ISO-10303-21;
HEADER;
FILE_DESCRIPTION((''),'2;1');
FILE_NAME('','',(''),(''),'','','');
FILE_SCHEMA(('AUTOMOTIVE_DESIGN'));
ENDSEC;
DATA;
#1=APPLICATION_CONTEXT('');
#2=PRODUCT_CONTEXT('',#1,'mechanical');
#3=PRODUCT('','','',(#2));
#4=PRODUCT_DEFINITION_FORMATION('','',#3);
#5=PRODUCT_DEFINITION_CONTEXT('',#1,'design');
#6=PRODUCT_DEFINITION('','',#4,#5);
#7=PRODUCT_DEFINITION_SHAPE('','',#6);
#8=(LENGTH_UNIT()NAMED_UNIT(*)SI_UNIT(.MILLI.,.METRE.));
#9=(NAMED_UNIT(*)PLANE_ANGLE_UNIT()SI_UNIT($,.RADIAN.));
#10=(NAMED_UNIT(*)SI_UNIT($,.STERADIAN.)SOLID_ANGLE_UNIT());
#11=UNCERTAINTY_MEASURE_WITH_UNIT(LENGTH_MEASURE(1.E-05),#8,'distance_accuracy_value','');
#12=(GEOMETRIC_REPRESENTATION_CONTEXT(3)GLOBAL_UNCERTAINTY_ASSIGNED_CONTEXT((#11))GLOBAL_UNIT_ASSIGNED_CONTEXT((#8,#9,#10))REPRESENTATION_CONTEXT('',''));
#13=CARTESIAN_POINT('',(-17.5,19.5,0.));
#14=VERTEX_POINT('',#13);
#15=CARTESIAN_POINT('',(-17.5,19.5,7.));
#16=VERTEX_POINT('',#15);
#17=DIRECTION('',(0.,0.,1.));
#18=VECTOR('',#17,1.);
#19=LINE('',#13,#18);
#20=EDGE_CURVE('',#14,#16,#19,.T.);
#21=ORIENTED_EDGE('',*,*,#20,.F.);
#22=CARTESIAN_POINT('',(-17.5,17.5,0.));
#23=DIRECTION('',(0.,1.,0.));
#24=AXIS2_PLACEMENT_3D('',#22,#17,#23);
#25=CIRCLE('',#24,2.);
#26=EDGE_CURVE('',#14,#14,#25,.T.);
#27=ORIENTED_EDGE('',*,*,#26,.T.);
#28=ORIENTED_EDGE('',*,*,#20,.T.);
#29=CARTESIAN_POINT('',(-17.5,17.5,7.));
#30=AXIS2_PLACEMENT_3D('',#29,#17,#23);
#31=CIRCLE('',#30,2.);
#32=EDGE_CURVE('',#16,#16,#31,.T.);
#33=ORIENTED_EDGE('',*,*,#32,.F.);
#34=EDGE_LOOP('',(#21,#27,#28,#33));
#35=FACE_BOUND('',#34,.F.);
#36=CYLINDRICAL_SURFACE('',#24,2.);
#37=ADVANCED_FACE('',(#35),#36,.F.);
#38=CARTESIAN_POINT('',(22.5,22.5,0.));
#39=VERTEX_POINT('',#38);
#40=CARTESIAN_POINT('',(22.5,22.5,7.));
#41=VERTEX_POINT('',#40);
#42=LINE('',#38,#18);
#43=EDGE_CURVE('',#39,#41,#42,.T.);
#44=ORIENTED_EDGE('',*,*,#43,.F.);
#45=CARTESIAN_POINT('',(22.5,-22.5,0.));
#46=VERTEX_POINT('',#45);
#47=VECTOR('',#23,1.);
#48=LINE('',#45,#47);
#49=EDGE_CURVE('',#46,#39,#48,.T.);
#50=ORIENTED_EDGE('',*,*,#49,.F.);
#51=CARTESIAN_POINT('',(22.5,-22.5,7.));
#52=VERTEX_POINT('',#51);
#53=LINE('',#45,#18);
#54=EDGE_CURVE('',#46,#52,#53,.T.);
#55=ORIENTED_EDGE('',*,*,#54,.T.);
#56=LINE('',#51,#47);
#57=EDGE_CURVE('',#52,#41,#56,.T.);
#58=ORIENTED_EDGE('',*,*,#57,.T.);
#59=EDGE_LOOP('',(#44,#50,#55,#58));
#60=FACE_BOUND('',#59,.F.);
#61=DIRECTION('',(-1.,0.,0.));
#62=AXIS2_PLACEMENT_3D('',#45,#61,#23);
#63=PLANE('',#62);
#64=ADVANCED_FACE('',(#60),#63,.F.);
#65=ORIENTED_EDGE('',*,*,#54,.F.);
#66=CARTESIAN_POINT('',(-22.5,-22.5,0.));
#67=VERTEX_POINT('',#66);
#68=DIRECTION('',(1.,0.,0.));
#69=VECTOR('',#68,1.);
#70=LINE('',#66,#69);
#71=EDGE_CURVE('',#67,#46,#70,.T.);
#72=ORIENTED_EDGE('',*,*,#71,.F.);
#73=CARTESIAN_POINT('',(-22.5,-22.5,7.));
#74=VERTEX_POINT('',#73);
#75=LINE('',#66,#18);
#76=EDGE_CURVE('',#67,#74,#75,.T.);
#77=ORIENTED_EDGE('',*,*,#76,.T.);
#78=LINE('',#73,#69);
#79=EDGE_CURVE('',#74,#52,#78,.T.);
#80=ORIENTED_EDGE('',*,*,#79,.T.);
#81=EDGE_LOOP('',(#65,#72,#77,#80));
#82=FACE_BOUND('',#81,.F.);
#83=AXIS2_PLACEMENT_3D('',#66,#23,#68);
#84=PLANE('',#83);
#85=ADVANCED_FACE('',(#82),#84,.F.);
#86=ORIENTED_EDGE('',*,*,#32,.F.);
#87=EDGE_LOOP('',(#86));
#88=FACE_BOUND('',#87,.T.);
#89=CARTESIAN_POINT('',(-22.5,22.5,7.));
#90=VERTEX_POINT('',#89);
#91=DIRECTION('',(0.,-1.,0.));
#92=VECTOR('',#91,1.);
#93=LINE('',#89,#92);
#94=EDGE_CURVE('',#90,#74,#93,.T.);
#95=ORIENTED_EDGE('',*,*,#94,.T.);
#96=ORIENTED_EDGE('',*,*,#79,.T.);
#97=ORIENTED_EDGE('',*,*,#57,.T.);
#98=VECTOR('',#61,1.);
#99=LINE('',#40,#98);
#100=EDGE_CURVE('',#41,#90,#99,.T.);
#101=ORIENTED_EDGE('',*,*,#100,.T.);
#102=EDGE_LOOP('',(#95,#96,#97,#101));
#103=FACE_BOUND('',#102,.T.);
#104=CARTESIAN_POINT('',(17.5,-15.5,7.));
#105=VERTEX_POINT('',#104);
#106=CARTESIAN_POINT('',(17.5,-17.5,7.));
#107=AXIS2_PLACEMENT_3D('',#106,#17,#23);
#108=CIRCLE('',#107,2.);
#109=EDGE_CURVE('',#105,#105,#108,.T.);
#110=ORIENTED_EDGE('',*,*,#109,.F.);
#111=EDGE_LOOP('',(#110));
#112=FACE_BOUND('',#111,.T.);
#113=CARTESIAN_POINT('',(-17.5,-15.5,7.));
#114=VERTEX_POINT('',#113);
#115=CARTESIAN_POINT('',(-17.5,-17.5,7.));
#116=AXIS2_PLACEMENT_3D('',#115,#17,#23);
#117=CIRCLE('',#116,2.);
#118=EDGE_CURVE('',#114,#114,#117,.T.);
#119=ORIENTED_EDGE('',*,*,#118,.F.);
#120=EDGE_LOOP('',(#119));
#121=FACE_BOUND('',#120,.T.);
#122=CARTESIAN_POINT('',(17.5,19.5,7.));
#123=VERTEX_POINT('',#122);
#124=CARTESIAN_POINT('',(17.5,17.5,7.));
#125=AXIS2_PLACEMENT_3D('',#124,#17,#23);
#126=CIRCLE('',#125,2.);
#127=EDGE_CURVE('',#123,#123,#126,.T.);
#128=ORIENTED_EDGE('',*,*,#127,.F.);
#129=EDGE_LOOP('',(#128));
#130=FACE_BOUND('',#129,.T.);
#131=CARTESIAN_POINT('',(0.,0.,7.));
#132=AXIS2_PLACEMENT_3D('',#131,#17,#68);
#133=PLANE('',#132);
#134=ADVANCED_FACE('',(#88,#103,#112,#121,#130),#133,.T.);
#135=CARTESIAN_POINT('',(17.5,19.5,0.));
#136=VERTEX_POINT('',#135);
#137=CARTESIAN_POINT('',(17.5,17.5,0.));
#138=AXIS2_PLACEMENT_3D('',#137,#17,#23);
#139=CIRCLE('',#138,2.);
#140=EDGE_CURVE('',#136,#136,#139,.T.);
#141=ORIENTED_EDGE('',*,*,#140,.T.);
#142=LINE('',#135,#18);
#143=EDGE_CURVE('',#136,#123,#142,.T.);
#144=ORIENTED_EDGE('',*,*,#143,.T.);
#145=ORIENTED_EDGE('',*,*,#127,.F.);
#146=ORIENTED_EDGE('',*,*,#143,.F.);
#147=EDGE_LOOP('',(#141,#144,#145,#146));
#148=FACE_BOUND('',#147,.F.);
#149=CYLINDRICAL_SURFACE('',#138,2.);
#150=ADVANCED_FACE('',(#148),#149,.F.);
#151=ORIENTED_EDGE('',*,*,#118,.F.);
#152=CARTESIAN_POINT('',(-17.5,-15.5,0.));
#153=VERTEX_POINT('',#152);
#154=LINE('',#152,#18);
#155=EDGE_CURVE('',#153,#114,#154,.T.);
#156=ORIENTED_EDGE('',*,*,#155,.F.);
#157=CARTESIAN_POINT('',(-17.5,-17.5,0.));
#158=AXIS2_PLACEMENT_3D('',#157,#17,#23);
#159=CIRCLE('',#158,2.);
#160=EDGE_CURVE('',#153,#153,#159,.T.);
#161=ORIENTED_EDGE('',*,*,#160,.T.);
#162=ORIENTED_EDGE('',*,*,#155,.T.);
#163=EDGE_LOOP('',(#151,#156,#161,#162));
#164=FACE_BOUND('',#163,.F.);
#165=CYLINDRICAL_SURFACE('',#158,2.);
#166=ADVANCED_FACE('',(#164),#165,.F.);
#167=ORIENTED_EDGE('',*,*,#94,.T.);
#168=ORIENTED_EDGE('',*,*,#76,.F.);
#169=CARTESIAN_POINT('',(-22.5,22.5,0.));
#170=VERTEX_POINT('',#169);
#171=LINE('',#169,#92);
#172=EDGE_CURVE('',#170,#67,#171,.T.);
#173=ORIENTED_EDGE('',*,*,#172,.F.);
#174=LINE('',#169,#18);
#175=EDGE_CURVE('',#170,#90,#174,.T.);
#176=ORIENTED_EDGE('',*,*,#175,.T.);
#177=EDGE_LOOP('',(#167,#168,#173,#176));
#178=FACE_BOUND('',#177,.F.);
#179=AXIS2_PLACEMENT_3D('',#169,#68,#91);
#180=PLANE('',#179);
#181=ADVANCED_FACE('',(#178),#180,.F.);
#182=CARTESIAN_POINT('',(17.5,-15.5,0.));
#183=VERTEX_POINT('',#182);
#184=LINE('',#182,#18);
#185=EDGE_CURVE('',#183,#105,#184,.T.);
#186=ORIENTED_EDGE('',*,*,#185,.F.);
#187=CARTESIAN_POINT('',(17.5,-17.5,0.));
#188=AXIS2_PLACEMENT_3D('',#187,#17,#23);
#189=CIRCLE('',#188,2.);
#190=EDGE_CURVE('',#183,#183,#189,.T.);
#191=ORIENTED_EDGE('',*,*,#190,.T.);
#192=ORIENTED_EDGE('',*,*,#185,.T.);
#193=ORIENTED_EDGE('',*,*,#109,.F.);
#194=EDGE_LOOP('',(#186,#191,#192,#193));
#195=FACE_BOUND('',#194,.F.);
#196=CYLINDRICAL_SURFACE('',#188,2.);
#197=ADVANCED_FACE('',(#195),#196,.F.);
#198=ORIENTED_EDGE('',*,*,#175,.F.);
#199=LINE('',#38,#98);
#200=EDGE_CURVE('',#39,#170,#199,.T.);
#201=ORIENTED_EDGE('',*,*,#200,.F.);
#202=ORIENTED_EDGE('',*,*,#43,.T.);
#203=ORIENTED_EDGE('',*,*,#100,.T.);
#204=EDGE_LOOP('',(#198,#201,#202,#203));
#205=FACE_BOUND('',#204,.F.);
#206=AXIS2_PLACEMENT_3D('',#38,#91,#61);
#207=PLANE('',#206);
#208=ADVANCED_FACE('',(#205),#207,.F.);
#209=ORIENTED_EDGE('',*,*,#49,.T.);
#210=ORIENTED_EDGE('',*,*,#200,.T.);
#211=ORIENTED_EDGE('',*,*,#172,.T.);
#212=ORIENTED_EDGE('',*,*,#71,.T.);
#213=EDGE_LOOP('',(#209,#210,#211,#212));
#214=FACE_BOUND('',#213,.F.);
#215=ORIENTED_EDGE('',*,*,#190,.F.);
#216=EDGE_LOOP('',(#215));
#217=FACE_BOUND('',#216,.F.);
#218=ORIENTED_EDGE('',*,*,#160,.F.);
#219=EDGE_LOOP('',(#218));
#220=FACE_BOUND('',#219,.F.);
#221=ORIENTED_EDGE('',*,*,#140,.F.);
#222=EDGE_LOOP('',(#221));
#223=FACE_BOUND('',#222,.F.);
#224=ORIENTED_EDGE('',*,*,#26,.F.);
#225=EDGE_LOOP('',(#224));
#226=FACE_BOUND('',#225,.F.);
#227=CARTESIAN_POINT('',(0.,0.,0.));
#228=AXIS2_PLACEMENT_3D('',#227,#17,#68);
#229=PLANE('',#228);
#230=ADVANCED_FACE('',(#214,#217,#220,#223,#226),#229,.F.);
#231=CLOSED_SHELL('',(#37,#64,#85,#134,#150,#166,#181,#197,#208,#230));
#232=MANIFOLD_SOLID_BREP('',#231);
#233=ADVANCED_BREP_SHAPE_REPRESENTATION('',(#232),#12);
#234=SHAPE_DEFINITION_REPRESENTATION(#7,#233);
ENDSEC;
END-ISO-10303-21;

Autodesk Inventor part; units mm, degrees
ref_plane "YZ Plane" through (0, 0, 0) normal (1, 0, 0) x (0, 1, 0)
ref_plane "XZ Plane" through (0, 0, 0) normal (0, 1, 0) x (-1, 0, 0)
ref_plane "XY Plane" through (0, 0, 0) normal (0, 0, 1) x (1, 0, 0)
sketch "Skizze1" plane through (0, 0, 0) normal (0, 0, 1) x (1, 0, 0)
  line L0 (-22.5, -22.5) -> (22.5, -22.5)
  line L1 (22.5, -22.5) -> (22.5, 22.5)
  line L2 (22.5, 22.5) -> (-22.5, 22.5)
  line L3 (-22.5, 22.5) -> (-22.5, -22.5)
  line L4 (-22.5, -22.5) -> (22.5, 22.5) construction
  line L5 (22.5, -22.5) -> (-22.5, 22.5) construction
  point P0 (0, 0)
  dimension "d0" = 45
  dimension "d1" = 45
extrude "Extrusion1" add sketch "Skizze1" along normal blind 7
sketch "Skizze2" plane through (0, 0, 0) normal (0, 0, -1) x (-1, 0, 0)
  line L0 (-22.5, -22.5) -> (-22.5, 22.5) projected
  line L1 (-22.5, 22.5) -> (22.5, 22.5) projected
  line L2 (22.5, 22.5) -> (22.5, -22.5) projected
  line L3 (22.5, -22.5) -> (-22.5, -22.5) projected
  point P0 (0, 0)
  point P1 (-17.5, 17.5)
  point P2 (17.5, 17.5)
  point P3 (17.5, -17.5)
  point P4 (-17.5, -17.5)
  dimension "d4" = 5
  dimension "d5" = 5
  dimension "d6" = 5
  dimension "d7" = 5
  dimension "d8" = 5
  dimension "d9" = 5
  dimension "d12" = 5
  dimension "d13" = 5
hole "Bohrung1" at (17.5, 17.5, 0) at (-17.5, 17.5, 0) at (-17.5, -17.5, 0) at (17.5, -17.5, 0) direction (0, 0, 1) diameter 4 end through all
sketch "Skizze3" plane through (0, 0, 0) normal (0, 0, -1) x (-1, 0, 0)
  line L0 (-22.5, 22.5) -> (22.5, 22.5) projected
  line L1 (-22.5, 22.5) -> (-12.5, 22.5)
  line L2 (-12.5, 22.5) -> (-12.5, 12.5)
  line L3 (-12.5, 12.5) -> (-22.5, 12.5)
  line L4 (-22.5, 12.5) -> (-22.5, 22.5)
  line L5 (22.5, 22.5) -> (12.5, 22.5)
  line L6 (12.5, 22.5) -> (12.5, 12.5)
  line L7 (12.5, 12.5) -> (22.5, 12.5)
  line L8 (22.5, 12.5) -> (22.5, 22.5)
  line L9 (22.5, 22.5) -> (22.5, -22.5) projected
  line L10 (22.5, -22.5) -> (12.5, -22.5)
  line L11 (12.5, -22.5) -> (12.5, -12.5)
  line L12 (12.5, -12.5) -> (22.5, -12.5)
  line L13 (22.5, -12.5) -> (22.5, -22.5)
  line L14 (22.5, -22.5) -> (-22.5, -22.5) projected
  line L15 (-22.5, -22.5) -> (-12.5, -22.5)
  line L16 (-12.5, -22.5) -> (-12.5, -12.5)
  line L17 (-12.5, -12.5) -> (-22.5, -12.5)
  line L18 (-22.5, -12.5) -> (-22.5, -22.5)
  point P0 (0, 0)
  dimension "d21" = 10
  dimension "d22" = 10
  dimension "d23" = 10
  dimension "d24" = 10
  dimension "d25" = 10
  dimension "d26" = 10
  dimension "d27" = 10
properties part number "Platte klein"
